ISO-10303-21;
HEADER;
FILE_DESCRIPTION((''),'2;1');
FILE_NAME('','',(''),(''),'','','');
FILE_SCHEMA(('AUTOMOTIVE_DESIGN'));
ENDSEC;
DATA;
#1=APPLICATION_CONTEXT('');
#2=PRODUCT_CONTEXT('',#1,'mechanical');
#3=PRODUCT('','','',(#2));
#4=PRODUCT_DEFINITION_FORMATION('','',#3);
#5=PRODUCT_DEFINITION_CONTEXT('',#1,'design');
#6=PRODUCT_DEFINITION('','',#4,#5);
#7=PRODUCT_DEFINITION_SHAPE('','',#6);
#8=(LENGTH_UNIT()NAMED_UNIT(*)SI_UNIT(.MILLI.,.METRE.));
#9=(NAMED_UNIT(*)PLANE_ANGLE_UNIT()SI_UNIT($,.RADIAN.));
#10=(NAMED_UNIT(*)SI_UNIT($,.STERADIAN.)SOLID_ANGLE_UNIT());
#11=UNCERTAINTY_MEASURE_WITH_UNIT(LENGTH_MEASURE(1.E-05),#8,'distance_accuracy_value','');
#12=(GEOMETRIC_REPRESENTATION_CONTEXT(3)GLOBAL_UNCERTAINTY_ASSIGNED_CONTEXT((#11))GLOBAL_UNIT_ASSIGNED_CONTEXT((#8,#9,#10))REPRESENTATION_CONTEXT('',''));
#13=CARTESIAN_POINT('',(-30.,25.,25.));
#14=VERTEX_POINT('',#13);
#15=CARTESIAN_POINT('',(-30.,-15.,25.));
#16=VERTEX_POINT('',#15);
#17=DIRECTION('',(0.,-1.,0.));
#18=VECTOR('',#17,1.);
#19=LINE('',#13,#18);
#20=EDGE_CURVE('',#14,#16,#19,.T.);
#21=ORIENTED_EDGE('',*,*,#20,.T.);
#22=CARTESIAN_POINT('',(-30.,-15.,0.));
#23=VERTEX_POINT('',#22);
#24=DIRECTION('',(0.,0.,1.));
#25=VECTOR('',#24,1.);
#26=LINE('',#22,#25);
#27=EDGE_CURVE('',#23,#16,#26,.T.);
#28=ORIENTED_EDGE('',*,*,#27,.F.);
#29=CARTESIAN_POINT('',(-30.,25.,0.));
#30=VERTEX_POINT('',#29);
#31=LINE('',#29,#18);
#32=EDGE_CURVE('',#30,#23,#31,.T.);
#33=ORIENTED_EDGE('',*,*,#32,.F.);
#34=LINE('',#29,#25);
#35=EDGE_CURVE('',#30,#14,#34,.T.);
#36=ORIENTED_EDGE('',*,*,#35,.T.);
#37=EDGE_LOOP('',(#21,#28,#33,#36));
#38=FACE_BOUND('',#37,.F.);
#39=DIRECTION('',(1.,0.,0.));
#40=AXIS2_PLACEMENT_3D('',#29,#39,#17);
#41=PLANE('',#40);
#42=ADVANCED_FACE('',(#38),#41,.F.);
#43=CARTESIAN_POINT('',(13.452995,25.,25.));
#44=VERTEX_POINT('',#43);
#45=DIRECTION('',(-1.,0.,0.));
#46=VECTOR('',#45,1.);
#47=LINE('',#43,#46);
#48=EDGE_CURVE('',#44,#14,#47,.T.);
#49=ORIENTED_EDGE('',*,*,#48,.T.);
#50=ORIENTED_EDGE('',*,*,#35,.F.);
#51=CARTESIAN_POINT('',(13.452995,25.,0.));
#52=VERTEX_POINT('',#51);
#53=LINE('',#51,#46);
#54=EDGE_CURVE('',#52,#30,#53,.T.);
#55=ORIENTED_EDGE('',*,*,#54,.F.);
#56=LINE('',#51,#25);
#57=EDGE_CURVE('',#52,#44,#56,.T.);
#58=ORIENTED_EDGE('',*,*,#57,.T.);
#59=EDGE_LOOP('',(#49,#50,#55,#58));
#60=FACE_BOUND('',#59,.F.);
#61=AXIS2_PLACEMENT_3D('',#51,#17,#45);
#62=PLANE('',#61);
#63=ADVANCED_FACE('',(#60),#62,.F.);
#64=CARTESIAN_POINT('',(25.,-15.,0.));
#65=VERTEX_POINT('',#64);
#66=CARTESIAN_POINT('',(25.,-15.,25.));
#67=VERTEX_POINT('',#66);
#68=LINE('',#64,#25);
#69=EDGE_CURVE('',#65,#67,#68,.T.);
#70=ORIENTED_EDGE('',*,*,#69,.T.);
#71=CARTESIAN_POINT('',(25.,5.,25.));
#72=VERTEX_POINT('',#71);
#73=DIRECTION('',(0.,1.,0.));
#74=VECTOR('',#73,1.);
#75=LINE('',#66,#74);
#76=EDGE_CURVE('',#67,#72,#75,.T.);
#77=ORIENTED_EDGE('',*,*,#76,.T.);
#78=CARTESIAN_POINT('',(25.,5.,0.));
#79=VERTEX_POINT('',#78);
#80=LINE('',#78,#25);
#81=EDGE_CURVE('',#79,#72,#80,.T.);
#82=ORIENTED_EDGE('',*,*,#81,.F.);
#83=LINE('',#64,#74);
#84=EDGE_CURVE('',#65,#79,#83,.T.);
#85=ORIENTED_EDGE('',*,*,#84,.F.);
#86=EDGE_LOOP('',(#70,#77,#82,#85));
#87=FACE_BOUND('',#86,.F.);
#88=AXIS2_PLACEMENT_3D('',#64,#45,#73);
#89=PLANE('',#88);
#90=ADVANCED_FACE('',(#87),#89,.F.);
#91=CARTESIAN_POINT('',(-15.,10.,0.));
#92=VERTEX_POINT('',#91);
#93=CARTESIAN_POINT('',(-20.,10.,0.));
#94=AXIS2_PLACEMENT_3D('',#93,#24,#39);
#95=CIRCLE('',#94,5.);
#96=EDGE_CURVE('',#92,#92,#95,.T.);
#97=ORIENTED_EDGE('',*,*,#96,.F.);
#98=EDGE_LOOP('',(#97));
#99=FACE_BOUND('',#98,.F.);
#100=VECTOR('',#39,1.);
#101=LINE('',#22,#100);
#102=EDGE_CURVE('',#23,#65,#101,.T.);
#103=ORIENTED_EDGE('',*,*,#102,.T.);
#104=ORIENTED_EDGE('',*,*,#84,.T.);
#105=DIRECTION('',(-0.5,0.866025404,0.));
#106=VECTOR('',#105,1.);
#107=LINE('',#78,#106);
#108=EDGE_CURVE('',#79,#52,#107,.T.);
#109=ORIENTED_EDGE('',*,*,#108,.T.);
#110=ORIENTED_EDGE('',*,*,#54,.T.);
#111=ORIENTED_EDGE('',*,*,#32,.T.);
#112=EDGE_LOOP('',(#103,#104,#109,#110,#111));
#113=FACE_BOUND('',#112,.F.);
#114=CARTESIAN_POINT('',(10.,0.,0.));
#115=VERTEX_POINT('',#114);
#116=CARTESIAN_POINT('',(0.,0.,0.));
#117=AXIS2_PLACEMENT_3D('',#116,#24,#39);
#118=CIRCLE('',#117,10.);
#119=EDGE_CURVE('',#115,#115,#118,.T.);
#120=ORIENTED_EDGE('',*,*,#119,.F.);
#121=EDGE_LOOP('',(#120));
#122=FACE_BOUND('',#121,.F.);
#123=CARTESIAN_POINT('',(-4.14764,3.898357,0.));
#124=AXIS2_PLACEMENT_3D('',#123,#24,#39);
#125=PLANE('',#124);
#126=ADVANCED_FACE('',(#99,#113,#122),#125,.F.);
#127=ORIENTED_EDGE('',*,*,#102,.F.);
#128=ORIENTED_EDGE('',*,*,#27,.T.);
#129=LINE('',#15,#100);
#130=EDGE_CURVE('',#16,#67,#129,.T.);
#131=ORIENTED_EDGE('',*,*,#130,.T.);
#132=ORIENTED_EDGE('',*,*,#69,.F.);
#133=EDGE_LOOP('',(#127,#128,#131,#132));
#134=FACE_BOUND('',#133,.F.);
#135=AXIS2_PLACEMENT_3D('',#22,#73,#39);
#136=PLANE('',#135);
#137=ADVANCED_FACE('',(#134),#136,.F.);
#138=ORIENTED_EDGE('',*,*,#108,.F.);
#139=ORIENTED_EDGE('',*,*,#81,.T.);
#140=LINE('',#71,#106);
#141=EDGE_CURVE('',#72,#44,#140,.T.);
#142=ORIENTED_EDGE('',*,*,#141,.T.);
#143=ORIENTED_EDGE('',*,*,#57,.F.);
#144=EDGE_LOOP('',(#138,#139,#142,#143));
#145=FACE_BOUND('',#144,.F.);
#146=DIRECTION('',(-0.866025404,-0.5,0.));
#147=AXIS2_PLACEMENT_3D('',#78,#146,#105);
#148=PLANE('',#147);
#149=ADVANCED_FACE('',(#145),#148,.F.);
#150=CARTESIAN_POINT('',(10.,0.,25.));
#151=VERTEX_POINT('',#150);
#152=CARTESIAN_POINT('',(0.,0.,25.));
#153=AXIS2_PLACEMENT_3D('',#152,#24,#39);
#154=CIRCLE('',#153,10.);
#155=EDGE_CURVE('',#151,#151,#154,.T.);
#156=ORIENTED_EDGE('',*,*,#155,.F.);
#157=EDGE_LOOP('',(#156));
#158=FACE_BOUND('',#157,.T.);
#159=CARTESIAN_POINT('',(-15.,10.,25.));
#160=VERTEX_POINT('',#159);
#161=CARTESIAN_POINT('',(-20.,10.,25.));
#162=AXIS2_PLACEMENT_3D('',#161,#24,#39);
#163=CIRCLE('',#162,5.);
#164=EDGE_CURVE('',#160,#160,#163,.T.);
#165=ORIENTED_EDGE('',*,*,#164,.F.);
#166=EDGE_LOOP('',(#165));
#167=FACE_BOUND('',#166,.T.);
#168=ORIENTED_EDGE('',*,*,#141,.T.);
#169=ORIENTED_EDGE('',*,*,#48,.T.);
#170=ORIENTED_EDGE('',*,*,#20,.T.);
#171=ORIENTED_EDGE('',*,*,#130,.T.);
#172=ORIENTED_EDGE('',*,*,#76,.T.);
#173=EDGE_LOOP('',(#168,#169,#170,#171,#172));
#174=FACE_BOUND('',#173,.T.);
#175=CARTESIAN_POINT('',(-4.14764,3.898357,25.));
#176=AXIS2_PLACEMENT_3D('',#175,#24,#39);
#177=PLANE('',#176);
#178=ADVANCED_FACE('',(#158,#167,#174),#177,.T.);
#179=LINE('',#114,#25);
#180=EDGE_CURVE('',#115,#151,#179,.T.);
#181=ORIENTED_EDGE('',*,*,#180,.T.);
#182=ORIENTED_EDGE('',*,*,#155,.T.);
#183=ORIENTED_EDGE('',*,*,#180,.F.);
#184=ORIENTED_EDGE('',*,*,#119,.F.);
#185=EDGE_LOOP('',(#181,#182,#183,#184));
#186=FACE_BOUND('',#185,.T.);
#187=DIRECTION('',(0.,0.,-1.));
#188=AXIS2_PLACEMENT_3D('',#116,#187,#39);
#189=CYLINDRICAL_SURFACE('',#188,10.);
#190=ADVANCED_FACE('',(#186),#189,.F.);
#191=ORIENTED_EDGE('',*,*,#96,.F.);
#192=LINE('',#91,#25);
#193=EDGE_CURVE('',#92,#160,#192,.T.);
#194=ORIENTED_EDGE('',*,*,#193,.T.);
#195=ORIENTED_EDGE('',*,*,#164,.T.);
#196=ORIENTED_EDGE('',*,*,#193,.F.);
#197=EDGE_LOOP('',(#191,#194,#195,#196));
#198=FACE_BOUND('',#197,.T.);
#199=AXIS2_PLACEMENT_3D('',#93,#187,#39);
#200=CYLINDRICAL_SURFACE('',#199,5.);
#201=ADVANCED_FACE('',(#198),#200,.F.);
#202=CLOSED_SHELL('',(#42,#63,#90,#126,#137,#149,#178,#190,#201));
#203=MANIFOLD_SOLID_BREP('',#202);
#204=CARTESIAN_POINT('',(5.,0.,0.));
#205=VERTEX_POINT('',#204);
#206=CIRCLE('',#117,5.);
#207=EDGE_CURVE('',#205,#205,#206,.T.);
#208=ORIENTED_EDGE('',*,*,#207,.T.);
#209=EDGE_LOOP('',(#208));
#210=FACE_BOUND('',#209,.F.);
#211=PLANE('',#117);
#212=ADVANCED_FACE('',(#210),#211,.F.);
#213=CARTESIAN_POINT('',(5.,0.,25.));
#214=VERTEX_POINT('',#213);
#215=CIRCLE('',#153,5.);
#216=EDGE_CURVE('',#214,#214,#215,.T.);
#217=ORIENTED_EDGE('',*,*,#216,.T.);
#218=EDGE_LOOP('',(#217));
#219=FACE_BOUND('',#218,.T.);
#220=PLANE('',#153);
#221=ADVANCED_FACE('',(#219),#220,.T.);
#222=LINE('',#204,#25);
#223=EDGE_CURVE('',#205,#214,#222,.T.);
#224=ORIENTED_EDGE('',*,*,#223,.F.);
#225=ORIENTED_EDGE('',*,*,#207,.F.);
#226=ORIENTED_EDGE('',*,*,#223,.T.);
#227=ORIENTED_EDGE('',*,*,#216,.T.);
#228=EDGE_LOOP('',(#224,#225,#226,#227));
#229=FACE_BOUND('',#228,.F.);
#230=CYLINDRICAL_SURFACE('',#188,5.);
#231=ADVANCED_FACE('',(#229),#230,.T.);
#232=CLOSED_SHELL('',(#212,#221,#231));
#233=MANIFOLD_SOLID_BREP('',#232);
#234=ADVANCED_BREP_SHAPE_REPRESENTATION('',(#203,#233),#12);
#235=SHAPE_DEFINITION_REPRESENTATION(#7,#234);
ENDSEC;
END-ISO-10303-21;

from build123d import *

# Parameters (mm, degrees)
F0_R     = 5
F1_DEPTH = 25
F0_R_2   = 10


with BuildPart() as f1:
    # F0 (on Top) → F1 (new body)
    with BuildSketch(Plane.XY):
        Circle(F0_R)
    extrude(amount=F1_DEPTH)


with BuildPart() as f1b:
    # F0 (on Top) → F1, piece 2 (new body)
    with BuildSketch(Plane.XY):
        Polygon((-30, -15), (25, -15), (25, 5), (13.4529946162, 25), (-20, 25), (-30, 25), (-30, 10), align=None)
        Circle(F0_R_2, mode=Mode.SUBTRACT)
        with Locations((-20, 10)):
            Circle(F0_R, mode=Mode.SUBTRACT)
    extrude(amount=F1_DEPTH)


solid = Compound([f1.part, f1b.part])
